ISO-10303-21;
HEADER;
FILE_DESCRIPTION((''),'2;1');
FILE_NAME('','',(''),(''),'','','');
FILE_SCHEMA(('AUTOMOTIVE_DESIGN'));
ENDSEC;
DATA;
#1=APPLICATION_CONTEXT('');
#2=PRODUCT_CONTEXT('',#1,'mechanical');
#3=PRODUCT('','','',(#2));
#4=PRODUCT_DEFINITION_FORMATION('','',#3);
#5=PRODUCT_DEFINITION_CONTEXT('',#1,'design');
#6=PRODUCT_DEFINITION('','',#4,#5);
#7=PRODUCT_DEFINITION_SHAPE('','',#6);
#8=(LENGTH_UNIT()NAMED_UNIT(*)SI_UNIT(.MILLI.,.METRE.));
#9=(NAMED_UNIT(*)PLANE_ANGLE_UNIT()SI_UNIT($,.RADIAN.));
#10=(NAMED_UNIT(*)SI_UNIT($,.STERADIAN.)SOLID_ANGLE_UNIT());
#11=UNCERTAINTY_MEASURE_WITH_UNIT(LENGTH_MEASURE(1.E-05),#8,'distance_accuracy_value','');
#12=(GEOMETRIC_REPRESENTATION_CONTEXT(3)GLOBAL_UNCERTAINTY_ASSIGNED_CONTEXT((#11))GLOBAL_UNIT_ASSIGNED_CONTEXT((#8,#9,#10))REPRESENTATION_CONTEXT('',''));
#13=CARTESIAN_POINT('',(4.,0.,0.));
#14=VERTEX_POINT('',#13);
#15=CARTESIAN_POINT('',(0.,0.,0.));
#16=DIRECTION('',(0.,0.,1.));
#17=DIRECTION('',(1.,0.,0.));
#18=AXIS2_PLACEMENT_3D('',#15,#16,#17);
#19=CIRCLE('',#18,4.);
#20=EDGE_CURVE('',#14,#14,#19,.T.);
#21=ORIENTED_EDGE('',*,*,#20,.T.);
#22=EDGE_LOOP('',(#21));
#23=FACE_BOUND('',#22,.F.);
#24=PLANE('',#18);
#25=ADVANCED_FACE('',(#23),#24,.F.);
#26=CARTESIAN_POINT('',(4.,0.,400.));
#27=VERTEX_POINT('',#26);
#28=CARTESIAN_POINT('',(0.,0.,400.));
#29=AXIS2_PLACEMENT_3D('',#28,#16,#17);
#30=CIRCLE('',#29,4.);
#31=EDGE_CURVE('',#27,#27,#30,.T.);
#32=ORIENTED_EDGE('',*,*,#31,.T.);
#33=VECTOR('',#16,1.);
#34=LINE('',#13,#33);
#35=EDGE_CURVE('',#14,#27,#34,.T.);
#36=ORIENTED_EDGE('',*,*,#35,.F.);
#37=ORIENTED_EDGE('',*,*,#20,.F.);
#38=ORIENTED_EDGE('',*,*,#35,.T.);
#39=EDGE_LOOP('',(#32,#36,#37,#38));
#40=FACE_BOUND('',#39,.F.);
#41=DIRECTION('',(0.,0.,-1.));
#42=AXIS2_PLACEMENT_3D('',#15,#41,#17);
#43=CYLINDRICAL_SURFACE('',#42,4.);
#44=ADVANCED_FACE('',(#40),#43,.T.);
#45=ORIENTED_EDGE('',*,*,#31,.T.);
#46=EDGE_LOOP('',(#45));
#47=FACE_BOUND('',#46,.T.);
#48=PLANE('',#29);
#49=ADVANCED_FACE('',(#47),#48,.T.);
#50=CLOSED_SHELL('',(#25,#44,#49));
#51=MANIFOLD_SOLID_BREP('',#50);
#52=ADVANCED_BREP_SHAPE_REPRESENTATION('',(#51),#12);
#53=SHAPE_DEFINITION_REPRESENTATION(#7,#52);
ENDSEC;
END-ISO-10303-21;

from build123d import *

# Parameters (mm, degrees)
CYLINDER_R     = 4
CYLINDER_DEPTH = 400


with BuildPart() as part:
    # Cylinder → Cylinder (new body)
    with BuildSketch(Plane.XY):
        Circle(CYLINDER_R)
    extrude(amount=CYLINDER_DEPTH)


solid = part.part
